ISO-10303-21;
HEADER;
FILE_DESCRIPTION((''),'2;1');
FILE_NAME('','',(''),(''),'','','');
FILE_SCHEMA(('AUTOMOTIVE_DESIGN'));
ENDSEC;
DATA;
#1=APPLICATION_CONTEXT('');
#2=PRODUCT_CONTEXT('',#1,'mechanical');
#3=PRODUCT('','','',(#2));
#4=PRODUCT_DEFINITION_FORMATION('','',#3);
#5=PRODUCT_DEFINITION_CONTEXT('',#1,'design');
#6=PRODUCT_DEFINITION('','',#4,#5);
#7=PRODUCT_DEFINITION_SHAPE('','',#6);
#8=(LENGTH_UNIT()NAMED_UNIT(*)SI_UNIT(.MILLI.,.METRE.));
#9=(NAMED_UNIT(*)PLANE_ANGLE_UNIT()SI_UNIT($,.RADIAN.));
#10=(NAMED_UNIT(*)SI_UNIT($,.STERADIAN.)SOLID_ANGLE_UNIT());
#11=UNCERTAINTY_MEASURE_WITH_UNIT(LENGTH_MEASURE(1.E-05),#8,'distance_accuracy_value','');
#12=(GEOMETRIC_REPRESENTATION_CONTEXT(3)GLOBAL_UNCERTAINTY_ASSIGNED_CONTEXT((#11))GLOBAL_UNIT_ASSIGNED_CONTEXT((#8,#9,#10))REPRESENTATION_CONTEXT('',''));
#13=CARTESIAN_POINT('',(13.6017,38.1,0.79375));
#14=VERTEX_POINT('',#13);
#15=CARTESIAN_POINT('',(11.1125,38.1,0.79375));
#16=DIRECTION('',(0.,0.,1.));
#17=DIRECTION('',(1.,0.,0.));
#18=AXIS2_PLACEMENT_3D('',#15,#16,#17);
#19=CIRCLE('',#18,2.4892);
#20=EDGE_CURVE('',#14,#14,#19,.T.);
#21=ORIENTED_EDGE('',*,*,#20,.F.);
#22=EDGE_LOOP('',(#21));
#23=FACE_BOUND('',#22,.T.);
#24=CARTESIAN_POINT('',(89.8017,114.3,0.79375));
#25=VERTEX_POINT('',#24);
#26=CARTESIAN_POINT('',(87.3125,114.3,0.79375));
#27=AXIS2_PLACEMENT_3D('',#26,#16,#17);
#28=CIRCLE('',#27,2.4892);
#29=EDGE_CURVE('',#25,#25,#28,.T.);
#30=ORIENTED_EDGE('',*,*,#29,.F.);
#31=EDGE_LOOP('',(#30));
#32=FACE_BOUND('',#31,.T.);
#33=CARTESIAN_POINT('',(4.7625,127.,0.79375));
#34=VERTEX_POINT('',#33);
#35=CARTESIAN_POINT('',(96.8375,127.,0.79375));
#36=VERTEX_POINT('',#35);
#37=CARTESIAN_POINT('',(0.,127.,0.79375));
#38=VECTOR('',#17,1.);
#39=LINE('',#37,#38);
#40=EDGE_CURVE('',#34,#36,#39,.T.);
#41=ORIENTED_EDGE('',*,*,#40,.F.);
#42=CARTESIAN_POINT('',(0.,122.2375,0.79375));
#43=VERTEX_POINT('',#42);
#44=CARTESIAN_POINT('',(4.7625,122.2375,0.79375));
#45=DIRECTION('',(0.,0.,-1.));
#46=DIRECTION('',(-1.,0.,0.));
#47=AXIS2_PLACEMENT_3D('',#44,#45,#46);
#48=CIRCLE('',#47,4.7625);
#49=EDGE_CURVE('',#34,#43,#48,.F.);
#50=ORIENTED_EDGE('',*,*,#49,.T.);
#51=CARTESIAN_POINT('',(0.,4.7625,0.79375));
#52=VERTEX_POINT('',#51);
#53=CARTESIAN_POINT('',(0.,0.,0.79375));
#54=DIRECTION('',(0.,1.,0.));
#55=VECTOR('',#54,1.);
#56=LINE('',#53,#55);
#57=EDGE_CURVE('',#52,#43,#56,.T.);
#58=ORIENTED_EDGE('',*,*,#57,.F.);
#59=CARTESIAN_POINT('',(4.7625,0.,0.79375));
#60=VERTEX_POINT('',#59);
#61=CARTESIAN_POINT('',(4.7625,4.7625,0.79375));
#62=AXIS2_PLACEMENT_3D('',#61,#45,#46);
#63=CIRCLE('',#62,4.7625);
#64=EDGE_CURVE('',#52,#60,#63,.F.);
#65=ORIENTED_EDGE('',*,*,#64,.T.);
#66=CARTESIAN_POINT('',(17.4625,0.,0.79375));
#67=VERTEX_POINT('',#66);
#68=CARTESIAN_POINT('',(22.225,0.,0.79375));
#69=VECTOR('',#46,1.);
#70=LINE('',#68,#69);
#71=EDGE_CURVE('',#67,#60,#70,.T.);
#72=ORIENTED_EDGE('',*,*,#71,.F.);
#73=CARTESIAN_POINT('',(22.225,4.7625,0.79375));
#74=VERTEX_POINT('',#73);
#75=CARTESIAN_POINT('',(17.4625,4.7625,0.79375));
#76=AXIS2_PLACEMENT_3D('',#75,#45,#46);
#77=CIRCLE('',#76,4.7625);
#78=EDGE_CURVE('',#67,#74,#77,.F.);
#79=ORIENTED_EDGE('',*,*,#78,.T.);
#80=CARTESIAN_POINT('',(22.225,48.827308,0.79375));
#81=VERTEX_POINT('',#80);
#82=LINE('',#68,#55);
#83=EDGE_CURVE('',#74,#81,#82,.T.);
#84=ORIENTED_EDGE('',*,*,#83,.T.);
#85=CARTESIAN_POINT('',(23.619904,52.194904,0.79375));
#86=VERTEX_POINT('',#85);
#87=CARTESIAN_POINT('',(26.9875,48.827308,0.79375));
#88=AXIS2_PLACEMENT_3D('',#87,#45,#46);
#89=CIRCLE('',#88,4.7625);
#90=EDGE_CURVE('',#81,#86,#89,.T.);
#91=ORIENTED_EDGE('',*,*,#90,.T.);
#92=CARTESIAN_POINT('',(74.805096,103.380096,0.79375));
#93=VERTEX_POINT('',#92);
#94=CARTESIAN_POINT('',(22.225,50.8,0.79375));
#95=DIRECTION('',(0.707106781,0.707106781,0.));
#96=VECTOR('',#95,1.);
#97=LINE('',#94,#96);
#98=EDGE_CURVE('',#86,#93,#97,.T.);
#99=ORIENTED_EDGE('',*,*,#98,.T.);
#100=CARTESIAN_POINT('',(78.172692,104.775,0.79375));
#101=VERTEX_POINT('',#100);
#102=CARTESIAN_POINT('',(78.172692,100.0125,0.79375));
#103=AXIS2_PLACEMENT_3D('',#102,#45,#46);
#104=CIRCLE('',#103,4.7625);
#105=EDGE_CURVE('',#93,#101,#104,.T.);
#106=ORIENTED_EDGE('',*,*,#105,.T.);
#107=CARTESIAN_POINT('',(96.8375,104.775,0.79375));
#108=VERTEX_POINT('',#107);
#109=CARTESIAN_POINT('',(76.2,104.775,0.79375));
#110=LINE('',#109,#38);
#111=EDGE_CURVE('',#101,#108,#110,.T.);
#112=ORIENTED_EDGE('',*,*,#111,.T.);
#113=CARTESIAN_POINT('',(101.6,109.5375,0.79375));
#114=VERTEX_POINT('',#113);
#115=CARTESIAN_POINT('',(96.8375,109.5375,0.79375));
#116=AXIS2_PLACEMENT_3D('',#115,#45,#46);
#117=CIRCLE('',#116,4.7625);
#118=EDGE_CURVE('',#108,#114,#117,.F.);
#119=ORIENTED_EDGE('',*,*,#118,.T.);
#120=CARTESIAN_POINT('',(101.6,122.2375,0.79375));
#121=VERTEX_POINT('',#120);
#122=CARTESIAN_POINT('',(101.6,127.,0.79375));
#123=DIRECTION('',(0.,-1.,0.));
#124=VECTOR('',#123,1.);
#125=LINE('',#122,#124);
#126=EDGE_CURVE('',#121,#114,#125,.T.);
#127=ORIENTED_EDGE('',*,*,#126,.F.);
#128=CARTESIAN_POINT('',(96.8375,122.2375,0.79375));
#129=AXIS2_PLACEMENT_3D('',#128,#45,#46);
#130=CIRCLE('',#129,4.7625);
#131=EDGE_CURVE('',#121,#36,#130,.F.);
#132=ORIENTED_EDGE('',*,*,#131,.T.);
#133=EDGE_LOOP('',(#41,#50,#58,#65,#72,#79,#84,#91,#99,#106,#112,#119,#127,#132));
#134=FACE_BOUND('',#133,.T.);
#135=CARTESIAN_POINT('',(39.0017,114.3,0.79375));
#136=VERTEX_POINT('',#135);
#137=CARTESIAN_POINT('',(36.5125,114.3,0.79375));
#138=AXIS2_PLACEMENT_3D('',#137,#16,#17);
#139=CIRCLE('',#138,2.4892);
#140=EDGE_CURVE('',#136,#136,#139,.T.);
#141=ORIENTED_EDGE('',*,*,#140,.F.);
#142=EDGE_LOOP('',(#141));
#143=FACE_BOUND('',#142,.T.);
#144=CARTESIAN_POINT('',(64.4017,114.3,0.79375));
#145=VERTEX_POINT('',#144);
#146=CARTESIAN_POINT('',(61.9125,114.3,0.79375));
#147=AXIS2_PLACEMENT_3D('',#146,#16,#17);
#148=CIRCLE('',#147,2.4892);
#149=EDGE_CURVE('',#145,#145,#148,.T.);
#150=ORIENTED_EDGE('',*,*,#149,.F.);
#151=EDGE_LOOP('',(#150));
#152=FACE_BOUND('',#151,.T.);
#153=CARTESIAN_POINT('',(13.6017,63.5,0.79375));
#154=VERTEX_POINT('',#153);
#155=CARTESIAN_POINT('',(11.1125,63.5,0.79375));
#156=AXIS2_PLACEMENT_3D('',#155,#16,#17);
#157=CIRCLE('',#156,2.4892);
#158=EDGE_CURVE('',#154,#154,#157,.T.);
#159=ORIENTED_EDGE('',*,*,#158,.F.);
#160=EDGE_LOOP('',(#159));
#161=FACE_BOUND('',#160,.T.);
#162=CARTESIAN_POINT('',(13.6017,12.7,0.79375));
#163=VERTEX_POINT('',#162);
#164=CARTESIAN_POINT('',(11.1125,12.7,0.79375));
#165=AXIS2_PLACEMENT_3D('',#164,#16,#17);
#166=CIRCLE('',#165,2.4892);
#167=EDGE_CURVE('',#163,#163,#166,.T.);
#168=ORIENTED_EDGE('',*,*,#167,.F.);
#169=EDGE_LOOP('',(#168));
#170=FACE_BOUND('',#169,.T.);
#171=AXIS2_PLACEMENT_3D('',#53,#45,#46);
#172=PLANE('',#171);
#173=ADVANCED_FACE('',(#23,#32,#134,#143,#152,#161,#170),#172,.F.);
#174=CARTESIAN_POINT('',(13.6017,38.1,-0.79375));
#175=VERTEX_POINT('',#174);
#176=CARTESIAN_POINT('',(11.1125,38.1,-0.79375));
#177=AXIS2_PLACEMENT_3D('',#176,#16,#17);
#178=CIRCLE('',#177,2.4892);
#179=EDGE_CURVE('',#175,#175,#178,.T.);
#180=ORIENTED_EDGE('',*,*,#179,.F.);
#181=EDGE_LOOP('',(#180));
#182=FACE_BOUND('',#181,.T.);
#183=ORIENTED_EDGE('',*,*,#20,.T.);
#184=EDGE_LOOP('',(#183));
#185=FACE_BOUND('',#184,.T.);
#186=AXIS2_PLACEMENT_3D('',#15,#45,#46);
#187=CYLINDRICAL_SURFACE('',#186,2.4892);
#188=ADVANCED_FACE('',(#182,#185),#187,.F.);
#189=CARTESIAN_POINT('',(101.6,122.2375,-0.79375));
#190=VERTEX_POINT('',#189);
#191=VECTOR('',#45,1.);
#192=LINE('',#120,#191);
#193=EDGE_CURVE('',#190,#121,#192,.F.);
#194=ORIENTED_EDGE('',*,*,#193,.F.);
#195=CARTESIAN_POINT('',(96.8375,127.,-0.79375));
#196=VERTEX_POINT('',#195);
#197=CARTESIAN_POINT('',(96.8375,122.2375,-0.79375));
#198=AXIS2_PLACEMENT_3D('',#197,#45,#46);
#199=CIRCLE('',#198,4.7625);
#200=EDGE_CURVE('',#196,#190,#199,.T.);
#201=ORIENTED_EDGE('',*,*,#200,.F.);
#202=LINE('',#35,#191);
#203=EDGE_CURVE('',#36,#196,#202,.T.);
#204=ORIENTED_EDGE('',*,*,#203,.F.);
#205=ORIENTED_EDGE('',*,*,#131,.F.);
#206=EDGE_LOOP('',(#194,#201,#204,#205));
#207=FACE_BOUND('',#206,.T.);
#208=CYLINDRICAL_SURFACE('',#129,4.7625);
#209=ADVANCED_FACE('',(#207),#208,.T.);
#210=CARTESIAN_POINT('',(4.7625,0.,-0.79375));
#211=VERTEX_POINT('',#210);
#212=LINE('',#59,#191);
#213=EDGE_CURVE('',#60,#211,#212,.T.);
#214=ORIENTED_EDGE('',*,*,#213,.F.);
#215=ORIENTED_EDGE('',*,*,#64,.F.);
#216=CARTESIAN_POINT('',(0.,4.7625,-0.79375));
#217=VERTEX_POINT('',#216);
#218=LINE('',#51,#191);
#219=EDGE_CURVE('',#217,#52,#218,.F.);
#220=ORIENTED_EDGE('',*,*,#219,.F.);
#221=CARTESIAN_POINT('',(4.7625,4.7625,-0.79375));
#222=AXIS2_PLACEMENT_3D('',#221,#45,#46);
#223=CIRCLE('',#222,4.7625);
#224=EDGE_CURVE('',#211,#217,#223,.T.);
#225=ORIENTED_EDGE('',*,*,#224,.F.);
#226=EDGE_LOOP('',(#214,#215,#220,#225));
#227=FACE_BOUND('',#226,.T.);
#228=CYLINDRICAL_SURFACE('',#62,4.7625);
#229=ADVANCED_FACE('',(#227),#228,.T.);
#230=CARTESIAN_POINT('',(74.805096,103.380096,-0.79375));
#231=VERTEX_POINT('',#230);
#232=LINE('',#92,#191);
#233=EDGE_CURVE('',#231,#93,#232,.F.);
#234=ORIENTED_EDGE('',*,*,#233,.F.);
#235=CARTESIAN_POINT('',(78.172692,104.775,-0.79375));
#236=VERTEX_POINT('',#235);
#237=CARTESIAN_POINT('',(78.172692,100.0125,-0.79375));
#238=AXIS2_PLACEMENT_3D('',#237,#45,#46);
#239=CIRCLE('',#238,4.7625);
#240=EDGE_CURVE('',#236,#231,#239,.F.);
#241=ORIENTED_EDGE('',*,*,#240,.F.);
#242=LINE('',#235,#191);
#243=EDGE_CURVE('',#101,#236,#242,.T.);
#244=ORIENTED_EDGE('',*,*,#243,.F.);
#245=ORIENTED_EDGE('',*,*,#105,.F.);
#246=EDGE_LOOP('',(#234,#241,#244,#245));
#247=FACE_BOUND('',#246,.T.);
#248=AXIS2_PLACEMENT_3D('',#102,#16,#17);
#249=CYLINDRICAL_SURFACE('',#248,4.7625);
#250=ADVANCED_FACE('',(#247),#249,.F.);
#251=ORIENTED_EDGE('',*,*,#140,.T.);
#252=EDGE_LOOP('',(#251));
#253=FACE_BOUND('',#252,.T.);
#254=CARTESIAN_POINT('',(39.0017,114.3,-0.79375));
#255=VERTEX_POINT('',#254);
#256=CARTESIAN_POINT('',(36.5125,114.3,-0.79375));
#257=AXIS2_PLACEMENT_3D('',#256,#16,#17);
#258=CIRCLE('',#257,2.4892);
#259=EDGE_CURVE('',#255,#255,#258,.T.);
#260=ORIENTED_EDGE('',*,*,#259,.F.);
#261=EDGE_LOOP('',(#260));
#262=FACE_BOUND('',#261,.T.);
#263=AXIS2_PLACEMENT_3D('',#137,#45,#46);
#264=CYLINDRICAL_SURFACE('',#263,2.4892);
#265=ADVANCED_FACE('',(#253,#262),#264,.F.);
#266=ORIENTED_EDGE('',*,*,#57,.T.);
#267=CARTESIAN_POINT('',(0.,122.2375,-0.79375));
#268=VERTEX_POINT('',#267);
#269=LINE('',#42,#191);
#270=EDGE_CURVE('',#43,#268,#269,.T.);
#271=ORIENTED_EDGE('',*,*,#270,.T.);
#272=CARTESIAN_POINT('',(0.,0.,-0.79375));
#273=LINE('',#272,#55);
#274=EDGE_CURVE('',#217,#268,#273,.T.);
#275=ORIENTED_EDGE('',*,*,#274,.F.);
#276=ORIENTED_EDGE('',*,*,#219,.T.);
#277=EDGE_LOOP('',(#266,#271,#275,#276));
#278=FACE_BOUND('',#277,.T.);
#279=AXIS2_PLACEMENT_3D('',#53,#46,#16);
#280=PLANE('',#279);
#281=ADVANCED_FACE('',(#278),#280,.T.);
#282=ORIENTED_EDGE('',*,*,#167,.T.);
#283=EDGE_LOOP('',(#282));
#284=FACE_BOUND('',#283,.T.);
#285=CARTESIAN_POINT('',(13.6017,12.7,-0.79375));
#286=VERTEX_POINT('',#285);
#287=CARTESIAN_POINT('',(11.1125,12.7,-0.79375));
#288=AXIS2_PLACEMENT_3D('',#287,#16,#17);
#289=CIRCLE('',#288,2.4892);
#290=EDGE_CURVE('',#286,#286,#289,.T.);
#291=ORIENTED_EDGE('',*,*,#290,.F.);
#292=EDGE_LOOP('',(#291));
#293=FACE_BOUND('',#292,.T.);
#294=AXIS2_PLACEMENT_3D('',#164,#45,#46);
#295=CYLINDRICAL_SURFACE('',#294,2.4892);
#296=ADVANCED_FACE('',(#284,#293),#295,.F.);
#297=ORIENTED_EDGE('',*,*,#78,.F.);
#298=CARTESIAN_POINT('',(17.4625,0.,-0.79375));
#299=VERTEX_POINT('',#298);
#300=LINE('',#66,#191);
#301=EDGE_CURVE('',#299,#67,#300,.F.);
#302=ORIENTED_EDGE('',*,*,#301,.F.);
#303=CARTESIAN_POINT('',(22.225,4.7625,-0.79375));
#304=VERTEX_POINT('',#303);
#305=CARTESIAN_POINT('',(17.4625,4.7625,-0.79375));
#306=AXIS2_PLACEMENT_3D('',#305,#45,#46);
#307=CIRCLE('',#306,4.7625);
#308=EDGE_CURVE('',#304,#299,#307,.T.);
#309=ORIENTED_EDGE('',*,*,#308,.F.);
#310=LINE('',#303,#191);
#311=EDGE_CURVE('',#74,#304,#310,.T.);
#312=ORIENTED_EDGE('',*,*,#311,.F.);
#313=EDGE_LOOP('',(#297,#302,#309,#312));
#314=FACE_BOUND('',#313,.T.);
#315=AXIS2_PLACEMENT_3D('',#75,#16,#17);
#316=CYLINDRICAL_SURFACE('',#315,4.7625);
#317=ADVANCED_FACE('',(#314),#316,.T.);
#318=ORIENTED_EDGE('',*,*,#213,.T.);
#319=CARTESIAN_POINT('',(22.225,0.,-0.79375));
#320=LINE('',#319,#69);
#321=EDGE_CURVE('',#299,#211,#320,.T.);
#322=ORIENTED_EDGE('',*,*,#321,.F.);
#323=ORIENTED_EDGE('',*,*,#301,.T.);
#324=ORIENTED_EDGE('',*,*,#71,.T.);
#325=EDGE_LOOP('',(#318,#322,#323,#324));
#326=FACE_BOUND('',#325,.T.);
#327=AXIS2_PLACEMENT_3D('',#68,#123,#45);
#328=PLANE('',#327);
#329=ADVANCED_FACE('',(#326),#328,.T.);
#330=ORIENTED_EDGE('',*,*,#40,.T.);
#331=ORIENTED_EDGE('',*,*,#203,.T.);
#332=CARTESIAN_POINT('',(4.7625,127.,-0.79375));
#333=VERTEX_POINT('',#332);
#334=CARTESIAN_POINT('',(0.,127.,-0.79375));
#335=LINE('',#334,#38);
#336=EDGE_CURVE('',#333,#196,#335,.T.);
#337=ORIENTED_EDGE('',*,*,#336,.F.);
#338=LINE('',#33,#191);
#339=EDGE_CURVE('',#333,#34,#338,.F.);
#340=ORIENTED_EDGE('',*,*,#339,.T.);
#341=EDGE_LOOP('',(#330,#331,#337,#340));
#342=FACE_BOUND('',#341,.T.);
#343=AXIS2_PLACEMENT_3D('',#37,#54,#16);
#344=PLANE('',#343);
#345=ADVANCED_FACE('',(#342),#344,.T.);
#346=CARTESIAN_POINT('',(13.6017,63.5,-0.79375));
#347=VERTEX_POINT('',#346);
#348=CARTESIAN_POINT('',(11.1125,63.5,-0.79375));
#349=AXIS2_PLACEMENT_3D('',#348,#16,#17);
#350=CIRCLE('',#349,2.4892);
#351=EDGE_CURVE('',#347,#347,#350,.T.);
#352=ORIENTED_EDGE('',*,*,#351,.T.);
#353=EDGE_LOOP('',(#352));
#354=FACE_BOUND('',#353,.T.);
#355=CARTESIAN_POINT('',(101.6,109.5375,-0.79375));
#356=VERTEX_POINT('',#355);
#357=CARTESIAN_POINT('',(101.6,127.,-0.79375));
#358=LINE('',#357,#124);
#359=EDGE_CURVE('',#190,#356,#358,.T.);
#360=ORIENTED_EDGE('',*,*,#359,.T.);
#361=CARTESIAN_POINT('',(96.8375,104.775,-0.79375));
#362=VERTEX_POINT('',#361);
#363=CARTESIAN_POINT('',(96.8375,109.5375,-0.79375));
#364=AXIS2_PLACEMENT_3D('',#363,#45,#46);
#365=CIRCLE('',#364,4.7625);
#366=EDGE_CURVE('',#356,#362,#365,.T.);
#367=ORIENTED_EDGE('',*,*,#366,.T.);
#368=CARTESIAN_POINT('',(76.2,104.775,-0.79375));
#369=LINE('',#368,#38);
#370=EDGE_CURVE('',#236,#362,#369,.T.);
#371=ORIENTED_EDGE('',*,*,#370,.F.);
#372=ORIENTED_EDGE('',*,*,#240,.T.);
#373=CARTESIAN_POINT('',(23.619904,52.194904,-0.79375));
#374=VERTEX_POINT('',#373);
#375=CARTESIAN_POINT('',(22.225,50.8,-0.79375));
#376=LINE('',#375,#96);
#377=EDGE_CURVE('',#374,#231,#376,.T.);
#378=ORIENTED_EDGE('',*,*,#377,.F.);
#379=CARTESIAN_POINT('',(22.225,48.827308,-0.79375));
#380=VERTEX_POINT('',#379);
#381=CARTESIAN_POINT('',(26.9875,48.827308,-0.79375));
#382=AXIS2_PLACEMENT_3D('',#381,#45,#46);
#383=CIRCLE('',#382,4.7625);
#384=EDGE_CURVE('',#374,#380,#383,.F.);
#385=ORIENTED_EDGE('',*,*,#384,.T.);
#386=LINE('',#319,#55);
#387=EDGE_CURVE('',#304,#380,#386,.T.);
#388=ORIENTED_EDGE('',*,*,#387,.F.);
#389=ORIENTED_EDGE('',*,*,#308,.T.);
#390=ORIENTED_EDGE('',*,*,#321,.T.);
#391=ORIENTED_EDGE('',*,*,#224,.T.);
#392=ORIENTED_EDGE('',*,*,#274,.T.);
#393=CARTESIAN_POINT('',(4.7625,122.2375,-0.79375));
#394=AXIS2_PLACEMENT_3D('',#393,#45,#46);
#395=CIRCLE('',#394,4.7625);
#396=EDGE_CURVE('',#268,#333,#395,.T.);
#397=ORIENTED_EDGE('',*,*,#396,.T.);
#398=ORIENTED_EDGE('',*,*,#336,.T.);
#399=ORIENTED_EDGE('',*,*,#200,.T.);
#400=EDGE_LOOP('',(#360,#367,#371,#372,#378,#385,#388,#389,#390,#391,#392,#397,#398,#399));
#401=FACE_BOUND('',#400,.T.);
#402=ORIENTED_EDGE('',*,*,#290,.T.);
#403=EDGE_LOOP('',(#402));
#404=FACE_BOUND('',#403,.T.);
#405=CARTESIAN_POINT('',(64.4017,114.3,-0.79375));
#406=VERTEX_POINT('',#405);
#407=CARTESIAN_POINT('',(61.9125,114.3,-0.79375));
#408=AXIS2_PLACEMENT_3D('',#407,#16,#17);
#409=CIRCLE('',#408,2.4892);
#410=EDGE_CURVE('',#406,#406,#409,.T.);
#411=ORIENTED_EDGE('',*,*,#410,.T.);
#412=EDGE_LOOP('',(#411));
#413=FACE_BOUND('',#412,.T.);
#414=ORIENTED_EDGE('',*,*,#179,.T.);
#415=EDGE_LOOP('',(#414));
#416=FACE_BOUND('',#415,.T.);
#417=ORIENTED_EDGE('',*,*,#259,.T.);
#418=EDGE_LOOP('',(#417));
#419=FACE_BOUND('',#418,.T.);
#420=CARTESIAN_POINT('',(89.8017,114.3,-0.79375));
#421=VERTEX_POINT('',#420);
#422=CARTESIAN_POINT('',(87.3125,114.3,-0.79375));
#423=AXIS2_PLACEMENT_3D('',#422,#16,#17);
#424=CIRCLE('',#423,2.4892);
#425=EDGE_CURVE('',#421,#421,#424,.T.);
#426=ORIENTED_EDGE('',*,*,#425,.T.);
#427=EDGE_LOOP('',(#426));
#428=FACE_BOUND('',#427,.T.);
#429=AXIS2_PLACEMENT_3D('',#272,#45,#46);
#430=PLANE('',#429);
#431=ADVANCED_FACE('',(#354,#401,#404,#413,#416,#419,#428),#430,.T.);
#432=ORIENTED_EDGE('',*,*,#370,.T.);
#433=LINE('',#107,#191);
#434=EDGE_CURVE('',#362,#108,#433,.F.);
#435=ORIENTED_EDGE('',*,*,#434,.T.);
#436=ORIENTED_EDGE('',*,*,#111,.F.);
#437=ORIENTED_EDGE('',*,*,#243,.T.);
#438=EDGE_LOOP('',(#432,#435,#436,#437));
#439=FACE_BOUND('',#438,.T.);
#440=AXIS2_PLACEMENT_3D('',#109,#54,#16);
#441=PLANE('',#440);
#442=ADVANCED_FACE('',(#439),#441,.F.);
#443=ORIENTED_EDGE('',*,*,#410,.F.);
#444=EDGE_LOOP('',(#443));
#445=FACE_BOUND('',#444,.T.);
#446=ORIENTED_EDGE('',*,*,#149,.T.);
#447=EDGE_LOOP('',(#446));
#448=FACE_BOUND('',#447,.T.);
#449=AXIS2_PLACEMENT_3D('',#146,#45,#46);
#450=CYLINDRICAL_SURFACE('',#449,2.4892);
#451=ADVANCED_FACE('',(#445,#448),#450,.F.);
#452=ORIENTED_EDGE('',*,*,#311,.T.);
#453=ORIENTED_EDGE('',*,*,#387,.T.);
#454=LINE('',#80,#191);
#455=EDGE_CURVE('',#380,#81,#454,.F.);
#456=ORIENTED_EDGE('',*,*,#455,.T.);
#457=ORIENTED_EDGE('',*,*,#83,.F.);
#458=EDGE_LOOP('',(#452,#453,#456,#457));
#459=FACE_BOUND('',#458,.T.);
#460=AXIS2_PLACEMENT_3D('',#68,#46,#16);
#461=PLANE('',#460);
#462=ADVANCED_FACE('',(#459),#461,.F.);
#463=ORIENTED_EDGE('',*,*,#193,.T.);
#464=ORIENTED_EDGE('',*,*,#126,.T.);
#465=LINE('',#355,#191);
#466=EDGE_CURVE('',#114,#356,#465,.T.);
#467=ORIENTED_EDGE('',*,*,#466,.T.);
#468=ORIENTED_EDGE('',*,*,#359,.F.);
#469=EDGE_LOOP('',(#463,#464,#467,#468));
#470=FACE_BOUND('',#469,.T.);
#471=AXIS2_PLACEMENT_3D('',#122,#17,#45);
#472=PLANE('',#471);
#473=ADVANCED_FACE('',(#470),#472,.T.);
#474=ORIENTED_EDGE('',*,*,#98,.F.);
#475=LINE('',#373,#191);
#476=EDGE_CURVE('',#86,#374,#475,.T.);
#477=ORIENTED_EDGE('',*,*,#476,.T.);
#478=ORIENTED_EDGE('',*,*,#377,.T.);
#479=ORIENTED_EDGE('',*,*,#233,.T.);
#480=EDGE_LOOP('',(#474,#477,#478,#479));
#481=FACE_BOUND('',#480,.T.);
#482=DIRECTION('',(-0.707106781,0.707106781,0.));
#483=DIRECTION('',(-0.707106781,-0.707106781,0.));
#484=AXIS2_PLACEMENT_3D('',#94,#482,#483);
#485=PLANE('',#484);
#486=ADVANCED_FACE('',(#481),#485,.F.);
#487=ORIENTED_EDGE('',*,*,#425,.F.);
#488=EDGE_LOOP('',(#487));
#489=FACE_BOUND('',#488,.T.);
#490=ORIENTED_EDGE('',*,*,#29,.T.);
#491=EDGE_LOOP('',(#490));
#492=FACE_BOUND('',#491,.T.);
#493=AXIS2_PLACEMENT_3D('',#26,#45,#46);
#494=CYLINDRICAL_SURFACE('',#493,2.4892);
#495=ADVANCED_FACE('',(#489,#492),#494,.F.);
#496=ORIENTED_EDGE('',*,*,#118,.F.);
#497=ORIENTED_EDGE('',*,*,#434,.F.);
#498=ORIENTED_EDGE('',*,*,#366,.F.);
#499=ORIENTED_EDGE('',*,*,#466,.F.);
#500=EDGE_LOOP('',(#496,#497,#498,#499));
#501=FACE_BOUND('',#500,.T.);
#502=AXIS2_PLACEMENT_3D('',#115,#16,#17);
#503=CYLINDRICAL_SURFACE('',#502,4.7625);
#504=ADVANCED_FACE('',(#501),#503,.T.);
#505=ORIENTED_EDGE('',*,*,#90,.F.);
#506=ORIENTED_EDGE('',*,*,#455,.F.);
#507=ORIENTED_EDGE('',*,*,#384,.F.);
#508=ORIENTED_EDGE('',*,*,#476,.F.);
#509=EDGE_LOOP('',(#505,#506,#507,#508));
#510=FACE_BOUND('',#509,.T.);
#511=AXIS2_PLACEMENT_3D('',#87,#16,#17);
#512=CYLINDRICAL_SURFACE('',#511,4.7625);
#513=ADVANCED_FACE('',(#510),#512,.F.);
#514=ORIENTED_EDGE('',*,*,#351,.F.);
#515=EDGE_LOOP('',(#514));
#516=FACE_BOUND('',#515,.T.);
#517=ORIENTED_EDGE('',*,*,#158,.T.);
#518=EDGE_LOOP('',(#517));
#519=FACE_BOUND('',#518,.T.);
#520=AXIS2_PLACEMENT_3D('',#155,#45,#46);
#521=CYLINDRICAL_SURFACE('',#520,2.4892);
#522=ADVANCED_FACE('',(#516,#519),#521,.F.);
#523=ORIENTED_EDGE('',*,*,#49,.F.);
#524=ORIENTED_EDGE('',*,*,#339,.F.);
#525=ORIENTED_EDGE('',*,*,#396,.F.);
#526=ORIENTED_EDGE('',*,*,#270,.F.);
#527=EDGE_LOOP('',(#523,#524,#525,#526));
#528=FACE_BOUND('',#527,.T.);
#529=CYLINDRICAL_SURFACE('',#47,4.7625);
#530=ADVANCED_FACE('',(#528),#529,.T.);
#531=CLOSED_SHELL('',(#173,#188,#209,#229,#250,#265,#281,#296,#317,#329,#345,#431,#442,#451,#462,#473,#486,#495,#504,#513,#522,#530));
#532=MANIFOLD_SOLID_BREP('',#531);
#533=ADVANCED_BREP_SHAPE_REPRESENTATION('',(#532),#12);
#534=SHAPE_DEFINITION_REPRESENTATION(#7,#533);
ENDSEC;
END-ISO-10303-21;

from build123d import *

# Parameters (mm, degrees)
SKETCH1_R           = 2.4892
BOSS_EXTRUDE1_DEPTH = 0.79375
FILLET1_R           = 4.7625


with BuildPart() as part:
    # Sketch1 → Boss-Extrude1 (new, symmetric)
    with BuildSketch(Plane.XY):
        Polygon((0, 0), (0, 127), (101.6, 127), (101.6, 104.775), (76.2, 104.775), (22.225, 50.8), (22.225, 0), align=None)
        with Locations((11.1125, 63.5)):
            Circle(SKETCH1_R, mode=Mode.SUBTRACT)
        with Locations((11.1125, 38.1)):
            Circle(SKETCH1_R, mode=Mode.SUBTRACT)
        with Locations((11.1125, 12.7)):
            Circle(SKETCH1_R, mode=Mode.SUBTRACT)
        with Locations((87.3125, 114.3)):
            Circle(SKETCH1_R, mode=Mode.SUBTRACT)
        with Locations((61.9125, 114.3)):
            Circle(SKETCH1_R, mode=Mode.SUBTRACT)
        with Locations((36.5125, 114.3)):
            Circle(SKETCH1_R, mode=Mode.SUBTRACT)
    extrude(amount=BOSS_EXTRUDE1_DEPTH, both=True)

    # Fillet1
    fillet1_edges = [part.edges().sort_by_distance(p)[0] for p in [
        (22.225, 0, 0),
        (22.225, 50.8, 0),
        (76.2, 104.775, 0),
        (101.6, 104.775, 0),
        (101.6, 127, 0),
        (0, 127, 0),
        (0, 0, 0),
    ]]
    fillet(fillet1_edges, radius=FILLET1_R)


solid = part.part
